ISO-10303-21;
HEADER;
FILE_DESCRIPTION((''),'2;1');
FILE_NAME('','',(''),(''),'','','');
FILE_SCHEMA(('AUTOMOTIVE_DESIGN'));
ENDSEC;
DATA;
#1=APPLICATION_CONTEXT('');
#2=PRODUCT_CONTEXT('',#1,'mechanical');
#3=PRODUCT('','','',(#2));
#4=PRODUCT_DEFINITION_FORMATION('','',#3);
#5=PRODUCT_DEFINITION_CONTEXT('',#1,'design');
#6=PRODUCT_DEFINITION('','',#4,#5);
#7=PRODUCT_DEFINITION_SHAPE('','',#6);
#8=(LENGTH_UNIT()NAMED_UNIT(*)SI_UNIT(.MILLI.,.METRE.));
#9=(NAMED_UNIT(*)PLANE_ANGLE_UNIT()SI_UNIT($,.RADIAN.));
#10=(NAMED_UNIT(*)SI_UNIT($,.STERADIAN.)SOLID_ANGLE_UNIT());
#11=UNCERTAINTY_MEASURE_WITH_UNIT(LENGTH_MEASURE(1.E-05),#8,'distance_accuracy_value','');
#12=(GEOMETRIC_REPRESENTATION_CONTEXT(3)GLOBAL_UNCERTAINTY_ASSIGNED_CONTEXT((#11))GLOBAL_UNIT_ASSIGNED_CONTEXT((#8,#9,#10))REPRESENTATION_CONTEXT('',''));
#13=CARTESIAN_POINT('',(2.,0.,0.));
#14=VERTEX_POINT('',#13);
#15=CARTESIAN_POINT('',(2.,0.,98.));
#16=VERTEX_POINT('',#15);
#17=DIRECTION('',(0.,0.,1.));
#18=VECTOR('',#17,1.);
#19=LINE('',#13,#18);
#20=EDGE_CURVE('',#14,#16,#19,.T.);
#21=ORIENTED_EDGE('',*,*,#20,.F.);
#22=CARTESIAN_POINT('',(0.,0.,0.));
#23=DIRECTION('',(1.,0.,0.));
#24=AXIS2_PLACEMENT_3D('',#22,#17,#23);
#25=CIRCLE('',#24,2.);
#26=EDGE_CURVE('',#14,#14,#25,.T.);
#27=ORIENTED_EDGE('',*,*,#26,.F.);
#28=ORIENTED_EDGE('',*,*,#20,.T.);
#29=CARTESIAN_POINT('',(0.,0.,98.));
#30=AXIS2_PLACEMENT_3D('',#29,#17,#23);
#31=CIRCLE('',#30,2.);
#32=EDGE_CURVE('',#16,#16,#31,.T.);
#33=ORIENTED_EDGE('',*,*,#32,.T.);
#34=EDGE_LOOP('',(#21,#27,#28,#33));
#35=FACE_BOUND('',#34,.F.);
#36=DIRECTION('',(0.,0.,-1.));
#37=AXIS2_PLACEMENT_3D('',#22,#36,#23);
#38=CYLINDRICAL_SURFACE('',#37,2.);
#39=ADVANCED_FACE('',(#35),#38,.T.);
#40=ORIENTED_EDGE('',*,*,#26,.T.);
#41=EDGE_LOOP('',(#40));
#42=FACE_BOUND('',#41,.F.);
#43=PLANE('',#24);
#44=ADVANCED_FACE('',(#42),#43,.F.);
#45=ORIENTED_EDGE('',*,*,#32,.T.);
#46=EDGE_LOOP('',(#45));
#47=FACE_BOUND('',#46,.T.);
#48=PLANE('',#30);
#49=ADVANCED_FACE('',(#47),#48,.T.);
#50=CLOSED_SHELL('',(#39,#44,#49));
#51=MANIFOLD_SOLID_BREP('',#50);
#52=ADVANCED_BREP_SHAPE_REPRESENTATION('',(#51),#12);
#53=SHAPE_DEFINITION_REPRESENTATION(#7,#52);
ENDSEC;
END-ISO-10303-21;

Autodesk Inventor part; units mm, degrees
ref_plane "YZ Plane" through (0, 0, 0) normal (1, 0, 0) x (0, 1, 0)
ref_plane "XZ Plane" through (0, 0, 0) normal (0, 1, 0) x (-1, 0, 0)
ref_plane "XY Plane" through (0, 0, 0) normal (0, 0, 1) x (1, 0, 0)
sketch "Sketch1" plane through (0, 0, 0) normal (0, 0, 1) x (1, 0, 0)
  circle A0 centre (0, 0) radius 2
  dimension "d0" = 4
extrude "Extrusion1" add sketch "Sketch1" along normal blind 98
properties part number "Joint Pin Spider Crab" material "Steel, Galvanized"
